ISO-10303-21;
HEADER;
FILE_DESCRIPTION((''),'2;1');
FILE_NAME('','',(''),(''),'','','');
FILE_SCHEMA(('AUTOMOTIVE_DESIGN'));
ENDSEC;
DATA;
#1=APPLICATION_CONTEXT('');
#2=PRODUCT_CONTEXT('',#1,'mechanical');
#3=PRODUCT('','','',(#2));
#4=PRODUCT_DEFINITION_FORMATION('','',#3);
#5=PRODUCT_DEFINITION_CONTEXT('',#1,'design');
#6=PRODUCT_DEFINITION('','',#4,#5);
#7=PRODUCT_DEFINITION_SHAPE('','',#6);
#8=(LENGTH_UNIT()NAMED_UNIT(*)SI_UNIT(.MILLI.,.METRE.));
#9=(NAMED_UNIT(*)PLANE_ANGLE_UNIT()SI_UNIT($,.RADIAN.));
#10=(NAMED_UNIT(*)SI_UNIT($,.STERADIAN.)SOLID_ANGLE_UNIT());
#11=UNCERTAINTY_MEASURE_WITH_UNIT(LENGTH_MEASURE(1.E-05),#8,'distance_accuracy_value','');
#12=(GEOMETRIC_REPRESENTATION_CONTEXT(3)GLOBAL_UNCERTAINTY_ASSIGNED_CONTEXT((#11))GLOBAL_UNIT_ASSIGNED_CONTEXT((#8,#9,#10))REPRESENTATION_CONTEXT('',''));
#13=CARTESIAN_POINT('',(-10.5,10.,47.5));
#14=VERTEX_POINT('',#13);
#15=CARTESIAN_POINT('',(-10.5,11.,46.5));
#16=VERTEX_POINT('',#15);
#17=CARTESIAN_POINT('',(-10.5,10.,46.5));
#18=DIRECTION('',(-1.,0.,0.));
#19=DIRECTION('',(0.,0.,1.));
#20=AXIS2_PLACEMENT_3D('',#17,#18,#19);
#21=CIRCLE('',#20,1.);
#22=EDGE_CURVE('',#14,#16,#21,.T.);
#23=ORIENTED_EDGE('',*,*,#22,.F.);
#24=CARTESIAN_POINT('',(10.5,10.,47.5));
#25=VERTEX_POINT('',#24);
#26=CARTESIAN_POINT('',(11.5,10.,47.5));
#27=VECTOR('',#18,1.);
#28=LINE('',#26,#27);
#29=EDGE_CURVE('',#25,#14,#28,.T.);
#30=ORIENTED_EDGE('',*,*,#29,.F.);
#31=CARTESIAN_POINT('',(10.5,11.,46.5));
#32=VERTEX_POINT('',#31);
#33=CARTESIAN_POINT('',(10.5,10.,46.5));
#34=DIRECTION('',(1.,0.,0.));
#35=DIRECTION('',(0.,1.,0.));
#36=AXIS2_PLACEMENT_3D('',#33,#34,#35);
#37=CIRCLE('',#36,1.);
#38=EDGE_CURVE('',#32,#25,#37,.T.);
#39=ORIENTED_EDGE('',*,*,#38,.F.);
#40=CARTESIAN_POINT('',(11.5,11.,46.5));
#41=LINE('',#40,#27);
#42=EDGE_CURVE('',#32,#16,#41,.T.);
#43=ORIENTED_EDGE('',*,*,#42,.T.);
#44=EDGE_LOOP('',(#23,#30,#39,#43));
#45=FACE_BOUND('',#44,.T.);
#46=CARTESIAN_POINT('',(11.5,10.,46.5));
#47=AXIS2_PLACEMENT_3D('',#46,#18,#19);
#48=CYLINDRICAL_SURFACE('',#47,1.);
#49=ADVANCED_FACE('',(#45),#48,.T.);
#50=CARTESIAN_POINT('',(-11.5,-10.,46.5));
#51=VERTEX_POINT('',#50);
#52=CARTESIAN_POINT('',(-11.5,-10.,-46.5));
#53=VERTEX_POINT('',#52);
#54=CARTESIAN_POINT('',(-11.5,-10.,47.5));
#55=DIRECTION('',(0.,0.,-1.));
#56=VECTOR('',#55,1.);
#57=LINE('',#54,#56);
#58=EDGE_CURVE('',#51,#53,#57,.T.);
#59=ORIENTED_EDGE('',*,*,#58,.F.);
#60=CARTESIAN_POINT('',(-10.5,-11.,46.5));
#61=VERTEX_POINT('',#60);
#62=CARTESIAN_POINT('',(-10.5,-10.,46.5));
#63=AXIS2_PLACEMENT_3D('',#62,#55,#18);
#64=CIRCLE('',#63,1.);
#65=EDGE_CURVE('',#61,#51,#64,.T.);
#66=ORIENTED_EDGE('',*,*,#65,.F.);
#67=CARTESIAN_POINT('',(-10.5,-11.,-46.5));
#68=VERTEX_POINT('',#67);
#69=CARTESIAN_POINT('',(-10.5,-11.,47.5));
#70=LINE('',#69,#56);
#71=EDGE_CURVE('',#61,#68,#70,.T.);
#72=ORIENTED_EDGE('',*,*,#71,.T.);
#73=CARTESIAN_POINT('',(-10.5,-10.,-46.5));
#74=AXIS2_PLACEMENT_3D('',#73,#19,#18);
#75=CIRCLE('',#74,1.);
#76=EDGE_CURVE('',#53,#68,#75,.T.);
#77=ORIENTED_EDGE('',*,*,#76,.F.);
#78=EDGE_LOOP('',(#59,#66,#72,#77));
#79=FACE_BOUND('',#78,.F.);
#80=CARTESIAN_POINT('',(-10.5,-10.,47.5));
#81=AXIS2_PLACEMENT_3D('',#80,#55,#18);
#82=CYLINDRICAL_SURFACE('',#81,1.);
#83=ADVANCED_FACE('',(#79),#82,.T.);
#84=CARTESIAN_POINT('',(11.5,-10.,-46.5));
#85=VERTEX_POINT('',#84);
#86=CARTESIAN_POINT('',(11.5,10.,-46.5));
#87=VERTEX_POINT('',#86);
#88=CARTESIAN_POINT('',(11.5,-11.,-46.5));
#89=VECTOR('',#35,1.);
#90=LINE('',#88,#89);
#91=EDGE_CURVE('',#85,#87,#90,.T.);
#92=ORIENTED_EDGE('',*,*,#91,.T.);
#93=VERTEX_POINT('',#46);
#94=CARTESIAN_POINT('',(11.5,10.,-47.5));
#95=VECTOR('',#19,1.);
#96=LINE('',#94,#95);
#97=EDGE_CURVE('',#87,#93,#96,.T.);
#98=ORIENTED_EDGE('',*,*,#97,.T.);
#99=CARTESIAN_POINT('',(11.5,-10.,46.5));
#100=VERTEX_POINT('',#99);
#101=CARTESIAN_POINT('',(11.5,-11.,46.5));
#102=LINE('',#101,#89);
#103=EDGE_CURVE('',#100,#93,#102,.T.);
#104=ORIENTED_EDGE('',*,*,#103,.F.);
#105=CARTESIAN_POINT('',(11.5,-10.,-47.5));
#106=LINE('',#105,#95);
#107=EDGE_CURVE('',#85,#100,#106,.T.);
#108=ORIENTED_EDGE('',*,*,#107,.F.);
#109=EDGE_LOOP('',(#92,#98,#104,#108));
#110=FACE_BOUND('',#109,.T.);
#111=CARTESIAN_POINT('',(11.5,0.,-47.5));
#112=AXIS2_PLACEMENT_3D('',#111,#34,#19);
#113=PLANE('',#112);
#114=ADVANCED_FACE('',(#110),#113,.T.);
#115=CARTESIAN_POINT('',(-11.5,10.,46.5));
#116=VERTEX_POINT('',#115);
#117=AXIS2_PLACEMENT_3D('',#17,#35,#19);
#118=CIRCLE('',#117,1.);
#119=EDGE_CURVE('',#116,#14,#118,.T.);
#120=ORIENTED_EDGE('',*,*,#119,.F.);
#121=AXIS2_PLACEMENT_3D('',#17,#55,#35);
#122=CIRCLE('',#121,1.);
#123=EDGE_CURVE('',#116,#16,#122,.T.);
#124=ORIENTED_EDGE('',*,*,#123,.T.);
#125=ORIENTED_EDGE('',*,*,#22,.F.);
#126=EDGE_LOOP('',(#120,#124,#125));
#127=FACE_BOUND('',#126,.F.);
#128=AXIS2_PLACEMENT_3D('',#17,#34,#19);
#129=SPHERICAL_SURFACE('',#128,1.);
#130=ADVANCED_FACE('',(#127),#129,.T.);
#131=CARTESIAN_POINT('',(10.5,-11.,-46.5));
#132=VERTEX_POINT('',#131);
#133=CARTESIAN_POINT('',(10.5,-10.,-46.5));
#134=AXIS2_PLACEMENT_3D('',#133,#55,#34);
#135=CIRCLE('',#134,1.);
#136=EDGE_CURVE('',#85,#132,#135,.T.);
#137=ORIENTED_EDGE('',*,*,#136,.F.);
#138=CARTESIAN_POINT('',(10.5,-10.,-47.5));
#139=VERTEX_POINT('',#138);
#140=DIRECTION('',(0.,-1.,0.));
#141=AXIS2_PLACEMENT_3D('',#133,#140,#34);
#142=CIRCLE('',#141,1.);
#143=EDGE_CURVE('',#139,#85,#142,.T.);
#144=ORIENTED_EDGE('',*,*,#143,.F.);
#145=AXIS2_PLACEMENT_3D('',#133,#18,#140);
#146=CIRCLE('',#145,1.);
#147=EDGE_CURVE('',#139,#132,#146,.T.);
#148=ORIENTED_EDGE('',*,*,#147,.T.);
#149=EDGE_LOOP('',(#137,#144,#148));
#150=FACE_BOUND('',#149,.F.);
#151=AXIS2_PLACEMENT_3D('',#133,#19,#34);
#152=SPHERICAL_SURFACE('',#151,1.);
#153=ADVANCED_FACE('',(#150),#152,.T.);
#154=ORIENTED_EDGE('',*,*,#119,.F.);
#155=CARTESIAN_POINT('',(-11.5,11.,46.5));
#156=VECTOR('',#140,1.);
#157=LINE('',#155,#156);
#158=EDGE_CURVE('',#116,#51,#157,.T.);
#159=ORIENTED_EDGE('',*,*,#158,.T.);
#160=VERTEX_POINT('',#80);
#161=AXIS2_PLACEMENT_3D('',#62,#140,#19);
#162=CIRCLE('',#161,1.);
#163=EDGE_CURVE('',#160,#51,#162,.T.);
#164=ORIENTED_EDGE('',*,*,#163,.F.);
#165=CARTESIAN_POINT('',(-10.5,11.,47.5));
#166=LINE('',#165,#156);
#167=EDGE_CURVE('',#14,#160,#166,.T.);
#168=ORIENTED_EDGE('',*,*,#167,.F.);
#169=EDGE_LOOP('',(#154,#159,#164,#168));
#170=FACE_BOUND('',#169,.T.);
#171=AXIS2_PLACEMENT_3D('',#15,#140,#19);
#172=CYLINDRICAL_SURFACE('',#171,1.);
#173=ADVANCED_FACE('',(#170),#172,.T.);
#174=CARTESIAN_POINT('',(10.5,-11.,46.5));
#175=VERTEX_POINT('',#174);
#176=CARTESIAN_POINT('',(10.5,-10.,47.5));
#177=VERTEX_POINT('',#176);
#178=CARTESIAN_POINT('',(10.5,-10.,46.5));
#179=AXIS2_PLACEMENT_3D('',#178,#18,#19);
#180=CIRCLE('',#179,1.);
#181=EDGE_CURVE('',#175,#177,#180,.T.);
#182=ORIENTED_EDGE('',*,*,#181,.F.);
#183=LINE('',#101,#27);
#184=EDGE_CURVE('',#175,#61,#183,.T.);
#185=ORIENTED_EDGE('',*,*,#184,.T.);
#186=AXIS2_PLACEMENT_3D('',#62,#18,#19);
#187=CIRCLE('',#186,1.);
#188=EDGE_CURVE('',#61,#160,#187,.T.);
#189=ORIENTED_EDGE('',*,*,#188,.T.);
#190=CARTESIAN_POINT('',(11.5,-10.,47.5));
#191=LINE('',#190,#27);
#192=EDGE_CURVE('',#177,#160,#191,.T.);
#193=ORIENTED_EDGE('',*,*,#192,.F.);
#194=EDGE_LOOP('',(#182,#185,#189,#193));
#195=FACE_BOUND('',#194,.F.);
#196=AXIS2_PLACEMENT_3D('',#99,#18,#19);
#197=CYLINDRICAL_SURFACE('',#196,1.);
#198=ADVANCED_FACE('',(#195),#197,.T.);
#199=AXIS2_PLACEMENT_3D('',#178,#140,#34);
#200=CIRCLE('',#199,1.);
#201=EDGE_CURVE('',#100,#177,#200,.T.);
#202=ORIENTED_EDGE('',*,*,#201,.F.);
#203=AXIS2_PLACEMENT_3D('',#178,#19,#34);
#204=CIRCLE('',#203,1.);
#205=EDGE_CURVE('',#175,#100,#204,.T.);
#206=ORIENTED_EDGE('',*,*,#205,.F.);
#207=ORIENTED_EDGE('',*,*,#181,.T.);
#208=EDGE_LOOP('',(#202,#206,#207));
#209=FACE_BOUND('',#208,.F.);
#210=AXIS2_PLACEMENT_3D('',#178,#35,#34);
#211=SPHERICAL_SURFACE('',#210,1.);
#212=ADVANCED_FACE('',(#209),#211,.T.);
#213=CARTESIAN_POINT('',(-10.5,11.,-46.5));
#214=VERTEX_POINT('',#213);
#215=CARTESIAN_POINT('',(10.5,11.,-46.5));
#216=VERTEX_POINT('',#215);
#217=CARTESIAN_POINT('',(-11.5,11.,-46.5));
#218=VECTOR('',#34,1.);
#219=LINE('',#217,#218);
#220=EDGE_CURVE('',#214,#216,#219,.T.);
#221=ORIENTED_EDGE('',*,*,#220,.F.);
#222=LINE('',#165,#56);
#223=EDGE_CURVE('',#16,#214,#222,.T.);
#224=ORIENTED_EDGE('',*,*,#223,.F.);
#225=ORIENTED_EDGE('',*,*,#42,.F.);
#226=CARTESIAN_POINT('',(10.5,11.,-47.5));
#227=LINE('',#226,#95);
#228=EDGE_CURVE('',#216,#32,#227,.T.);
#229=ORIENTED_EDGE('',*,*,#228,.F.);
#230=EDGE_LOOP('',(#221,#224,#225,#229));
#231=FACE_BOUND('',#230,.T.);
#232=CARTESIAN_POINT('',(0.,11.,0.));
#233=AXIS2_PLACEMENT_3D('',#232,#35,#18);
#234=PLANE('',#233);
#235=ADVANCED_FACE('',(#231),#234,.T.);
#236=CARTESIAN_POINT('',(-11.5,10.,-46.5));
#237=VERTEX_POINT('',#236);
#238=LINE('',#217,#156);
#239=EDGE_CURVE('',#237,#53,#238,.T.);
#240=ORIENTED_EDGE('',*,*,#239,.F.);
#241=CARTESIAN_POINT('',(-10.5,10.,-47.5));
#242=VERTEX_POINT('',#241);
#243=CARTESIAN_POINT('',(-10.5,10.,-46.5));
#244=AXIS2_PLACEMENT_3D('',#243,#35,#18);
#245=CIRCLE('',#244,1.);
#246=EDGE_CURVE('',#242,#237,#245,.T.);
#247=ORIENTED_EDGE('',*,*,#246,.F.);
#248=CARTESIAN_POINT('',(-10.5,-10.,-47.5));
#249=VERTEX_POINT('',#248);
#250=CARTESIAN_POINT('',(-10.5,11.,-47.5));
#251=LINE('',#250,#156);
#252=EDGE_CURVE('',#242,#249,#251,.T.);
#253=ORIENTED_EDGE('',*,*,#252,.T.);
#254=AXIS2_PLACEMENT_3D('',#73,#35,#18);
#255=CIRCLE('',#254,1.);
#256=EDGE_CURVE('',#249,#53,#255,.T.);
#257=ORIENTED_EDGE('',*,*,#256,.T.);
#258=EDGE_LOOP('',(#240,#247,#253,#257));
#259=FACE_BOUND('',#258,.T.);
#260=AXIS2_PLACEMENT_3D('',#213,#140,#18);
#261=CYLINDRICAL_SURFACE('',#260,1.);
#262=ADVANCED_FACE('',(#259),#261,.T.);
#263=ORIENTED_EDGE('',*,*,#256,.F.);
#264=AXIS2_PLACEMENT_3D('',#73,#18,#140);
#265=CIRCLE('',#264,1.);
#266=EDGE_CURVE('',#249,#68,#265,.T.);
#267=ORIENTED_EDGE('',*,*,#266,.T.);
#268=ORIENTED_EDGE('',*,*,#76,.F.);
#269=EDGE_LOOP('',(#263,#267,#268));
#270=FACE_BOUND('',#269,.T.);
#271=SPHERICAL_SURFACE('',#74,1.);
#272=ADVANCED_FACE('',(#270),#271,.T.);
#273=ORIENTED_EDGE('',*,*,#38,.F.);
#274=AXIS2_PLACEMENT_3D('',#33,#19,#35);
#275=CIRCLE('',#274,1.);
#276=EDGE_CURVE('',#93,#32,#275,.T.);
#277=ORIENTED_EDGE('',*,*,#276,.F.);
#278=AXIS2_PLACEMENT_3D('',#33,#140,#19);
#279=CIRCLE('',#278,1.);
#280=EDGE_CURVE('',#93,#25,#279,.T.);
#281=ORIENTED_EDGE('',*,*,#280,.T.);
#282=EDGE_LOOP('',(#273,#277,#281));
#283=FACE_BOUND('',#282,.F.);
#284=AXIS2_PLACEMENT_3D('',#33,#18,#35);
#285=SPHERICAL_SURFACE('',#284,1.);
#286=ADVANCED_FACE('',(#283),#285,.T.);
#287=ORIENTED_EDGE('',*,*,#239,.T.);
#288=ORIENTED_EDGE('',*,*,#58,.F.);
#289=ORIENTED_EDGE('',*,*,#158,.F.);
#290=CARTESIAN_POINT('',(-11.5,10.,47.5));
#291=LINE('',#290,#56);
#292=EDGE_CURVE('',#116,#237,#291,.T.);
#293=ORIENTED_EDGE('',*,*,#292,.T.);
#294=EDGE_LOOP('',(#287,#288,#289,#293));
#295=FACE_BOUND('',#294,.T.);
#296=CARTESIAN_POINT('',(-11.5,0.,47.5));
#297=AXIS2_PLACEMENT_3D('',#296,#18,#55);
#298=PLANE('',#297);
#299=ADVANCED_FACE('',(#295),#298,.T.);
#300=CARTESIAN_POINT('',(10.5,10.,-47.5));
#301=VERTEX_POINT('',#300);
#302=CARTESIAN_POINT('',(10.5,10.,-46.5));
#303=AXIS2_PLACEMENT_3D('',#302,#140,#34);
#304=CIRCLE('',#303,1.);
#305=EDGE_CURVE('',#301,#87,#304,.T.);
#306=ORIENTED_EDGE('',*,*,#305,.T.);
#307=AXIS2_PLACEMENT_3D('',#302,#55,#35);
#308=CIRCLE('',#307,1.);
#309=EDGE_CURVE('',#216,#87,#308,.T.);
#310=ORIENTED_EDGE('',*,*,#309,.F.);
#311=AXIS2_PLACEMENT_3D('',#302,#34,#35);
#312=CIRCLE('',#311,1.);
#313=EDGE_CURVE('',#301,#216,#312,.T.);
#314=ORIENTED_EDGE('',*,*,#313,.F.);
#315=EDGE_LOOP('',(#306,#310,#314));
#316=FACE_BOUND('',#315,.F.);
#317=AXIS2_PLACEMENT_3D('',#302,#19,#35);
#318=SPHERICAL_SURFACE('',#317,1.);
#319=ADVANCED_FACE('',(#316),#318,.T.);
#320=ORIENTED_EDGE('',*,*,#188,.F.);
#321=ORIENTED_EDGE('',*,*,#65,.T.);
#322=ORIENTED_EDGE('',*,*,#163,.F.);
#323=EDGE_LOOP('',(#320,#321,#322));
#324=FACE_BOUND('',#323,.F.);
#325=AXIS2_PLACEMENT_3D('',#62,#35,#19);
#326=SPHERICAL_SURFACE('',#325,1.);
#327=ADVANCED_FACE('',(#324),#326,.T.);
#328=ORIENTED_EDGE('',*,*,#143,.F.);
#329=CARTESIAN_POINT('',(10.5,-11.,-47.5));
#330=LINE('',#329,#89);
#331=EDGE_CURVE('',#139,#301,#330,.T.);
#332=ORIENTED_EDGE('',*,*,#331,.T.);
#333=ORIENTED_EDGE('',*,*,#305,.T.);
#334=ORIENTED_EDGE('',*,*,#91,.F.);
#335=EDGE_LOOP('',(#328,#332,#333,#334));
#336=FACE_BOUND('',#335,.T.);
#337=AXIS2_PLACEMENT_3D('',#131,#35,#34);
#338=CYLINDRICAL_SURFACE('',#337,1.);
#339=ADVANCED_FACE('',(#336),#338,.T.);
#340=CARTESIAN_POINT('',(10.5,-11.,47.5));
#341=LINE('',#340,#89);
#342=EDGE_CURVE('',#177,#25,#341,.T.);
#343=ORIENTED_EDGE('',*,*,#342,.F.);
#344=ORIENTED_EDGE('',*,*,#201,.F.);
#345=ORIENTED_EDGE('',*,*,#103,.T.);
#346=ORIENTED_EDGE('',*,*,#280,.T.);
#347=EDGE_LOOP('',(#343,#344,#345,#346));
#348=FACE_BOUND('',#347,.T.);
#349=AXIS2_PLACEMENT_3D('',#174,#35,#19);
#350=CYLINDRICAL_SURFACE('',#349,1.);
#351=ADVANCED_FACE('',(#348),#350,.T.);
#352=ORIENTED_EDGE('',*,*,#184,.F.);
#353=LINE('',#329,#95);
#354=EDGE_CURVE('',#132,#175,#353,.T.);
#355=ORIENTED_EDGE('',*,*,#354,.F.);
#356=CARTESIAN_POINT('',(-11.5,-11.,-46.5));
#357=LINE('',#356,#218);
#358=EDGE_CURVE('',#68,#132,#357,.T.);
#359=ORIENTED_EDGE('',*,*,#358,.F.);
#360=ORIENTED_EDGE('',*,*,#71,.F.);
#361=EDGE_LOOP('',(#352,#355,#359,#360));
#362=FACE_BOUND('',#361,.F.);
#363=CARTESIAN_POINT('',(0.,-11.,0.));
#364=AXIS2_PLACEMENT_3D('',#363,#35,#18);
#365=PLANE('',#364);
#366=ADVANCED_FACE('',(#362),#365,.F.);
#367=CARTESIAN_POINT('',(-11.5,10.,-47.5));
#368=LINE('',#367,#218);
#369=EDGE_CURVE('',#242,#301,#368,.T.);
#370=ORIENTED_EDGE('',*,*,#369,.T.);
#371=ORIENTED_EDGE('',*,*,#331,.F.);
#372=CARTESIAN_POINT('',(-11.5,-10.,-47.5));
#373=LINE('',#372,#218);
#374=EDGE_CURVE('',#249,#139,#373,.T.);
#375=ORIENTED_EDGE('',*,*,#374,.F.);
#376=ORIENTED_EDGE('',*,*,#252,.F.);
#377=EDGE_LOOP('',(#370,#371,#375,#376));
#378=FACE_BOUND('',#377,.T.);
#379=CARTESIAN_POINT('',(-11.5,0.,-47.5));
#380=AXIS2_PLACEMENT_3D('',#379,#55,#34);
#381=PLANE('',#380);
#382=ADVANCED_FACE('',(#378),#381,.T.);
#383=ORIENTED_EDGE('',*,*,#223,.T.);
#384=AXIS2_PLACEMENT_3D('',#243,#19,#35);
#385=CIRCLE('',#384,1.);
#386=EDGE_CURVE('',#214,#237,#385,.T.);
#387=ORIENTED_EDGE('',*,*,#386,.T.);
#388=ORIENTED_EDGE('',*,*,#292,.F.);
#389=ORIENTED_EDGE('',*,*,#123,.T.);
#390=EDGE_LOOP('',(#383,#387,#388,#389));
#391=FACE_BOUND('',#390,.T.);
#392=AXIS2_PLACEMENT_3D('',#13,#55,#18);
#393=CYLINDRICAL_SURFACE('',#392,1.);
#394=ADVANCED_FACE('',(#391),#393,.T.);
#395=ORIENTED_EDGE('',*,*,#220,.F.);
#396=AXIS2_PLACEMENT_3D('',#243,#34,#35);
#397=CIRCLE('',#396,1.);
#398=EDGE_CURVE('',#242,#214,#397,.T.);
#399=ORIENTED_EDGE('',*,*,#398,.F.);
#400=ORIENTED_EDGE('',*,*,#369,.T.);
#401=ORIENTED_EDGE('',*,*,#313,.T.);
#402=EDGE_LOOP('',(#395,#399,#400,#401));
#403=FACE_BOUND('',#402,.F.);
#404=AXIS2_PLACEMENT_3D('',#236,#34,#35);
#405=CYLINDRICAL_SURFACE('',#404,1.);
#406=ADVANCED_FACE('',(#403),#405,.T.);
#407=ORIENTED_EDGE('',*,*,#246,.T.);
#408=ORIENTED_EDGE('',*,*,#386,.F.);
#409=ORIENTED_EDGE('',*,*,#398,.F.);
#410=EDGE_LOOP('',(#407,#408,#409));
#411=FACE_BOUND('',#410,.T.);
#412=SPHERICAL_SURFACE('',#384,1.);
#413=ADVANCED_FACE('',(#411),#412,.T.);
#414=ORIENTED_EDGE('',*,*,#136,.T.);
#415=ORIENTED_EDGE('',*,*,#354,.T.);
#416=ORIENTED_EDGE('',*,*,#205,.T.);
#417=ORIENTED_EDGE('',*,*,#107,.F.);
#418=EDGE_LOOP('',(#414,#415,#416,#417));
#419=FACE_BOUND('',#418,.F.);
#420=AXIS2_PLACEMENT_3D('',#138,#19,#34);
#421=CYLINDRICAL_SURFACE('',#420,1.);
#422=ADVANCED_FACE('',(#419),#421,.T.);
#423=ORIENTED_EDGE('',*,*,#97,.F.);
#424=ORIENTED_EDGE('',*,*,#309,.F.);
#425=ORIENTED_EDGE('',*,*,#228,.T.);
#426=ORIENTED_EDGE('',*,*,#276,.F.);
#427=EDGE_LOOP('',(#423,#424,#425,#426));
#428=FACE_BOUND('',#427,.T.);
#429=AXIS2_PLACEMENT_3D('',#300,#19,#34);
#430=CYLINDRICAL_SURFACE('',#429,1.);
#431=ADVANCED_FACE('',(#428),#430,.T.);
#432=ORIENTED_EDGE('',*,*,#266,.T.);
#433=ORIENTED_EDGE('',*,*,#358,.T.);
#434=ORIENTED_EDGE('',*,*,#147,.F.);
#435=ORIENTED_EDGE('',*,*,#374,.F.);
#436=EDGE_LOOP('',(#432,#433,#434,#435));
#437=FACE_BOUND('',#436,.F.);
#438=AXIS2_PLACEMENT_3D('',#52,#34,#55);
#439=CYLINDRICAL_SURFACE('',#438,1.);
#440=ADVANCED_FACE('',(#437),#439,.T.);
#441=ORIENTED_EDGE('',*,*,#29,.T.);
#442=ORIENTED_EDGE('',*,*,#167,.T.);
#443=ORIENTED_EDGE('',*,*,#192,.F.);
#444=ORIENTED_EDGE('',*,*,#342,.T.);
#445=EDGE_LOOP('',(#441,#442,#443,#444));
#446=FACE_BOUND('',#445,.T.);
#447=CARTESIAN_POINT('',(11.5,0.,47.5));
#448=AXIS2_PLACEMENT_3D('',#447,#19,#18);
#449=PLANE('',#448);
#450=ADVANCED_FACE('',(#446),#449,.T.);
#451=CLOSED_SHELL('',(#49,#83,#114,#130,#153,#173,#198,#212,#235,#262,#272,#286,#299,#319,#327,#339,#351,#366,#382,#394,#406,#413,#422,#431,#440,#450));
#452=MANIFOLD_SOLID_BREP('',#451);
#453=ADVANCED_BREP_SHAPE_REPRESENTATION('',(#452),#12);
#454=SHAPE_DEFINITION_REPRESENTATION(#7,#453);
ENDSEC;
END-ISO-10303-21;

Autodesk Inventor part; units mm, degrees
ref_plane "YZ Plane" through (0, 0, 0) normal (1, 0, 0) x (0, 1, 0)
ref_plane "XZ Plane" through (0, 0, 0) normal (0, 1, 0) x (-1, 0, 0)
ref_plane "XY Plane" through (0, 0, 0) normal (0, 0, 1) x (1, 0, 0)
sketch "Sketch1" plane through (0, 0, 0) normal (0, 1, 0) x (-1, 0, 0)
  line L0 (-11.5, 47.5) -> (11.5, 47.5)
  line L1 (11.5, 47.5) -> (11.5, -47.5)
  line L2 (11.5, -47.5) -> (-11.5, -47.5)
  line L3 (-11.5, -47.5) -> (-11.5, 47.5)
  line L4 (-11.5, 47.5) -> (11.5, -47.5) construction
  line L5 (11.5, 47.5) -> (-11.5, -47.5) construction
  point P0 (0, 0)
  dimension "d0" = 95
  dimension "d1" = 23
extrude "Extrusion1" add sketch "Sketch1" along normal mid plane 22
fillet "Fillet1" radius 1 12 edges at (0, 11, 47.5) (11.5, 11, 0) (11.5, 0, 47.5) (-11.5, 0, 47.5) (11.5, -11, 0) (0, -11, 47.5) (-11.5, 11, 0) (-11.5, -11, 0) (0, 11, -47.5) (-11.5, 0, -47.5) (11.5, 0, -47.5) (0, -11, -47.5)
properties part number "Battery_Small"
